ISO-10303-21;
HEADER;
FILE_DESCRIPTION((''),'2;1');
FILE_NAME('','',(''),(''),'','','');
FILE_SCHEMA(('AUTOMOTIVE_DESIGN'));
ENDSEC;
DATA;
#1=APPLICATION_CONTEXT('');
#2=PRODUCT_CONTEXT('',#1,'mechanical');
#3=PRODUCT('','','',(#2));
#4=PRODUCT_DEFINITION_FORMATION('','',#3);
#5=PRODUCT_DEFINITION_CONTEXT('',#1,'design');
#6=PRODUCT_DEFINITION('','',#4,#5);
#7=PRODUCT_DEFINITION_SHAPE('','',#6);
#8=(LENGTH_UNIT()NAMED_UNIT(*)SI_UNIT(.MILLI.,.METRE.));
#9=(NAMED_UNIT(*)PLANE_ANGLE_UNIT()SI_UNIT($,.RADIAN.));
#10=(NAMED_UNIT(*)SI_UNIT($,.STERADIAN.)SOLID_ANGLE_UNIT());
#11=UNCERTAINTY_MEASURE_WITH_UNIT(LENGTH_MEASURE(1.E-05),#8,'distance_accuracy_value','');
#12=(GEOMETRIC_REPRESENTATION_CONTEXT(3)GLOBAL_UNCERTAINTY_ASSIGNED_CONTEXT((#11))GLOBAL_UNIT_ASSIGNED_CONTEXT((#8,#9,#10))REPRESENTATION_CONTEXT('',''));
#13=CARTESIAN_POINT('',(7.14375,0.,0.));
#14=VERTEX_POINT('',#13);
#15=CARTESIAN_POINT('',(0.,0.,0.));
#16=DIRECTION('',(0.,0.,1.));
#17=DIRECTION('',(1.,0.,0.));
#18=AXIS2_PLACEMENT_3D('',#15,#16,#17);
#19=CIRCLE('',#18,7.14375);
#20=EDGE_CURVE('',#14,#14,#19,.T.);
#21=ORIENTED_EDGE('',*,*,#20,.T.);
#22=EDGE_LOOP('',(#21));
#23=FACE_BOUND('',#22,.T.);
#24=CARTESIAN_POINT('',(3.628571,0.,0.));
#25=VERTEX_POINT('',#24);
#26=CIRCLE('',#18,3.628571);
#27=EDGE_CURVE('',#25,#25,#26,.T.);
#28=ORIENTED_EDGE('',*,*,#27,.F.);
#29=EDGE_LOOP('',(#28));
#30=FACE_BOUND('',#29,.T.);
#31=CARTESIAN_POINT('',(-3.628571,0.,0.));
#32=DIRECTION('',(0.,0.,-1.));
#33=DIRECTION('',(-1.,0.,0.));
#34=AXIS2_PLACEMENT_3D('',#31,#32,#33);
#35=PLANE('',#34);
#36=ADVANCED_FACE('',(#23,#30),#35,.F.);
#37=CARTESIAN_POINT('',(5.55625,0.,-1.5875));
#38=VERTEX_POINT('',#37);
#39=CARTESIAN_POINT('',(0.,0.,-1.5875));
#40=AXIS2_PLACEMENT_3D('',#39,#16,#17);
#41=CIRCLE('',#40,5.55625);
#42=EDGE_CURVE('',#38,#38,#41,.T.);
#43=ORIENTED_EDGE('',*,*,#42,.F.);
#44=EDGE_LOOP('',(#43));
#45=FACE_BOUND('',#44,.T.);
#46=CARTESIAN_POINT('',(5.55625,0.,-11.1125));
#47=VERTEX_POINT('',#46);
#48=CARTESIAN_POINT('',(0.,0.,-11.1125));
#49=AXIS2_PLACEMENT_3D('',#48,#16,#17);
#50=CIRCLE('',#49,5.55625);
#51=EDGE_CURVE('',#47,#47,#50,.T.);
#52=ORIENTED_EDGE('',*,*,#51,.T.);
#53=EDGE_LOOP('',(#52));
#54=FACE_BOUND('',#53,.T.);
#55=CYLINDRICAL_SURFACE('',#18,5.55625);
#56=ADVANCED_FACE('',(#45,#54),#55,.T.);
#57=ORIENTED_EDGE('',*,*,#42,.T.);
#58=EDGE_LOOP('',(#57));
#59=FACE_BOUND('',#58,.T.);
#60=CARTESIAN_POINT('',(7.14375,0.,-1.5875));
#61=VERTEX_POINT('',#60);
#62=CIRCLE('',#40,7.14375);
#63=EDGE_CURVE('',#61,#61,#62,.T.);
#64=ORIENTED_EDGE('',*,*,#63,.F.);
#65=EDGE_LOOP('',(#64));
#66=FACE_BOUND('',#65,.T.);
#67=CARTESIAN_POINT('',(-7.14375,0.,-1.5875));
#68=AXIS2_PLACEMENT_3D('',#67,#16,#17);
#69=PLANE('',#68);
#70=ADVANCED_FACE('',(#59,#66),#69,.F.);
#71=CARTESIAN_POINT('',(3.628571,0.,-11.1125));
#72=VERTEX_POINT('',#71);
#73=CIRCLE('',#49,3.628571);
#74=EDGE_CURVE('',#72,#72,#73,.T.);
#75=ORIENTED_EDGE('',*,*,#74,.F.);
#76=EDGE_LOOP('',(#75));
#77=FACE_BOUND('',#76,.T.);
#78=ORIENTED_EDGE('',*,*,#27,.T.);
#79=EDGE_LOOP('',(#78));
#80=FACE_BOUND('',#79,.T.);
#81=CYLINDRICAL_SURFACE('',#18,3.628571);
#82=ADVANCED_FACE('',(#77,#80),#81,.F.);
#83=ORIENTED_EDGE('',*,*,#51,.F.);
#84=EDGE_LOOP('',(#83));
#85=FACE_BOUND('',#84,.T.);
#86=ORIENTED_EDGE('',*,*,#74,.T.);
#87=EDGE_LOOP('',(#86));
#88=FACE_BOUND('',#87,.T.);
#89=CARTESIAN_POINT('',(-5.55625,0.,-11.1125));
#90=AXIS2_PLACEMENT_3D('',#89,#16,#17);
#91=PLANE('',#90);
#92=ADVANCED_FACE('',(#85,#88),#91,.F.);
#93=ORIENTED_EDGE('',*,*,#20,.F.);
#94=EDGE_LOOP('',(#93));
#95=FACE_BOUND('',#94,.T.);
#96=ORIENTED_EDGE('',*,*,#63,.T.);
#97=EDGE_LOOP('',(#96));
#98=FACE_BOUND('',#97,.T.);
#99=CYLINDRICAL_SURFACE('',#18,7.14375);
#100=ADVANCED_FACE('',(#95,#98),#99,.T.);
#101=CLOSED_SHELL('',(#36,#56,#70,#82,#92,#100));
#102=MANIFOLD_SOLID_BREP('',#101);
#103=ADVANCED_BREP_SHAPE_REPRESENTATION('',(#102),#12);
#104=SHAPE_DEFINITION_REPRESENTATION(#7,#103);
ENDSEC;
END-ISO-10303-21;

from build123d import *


with BuildPart() as part:
    # Sketch1 → Revolve1 (revolve)
    with BuildSketch(Plane(origin=(0, 0, 0), x_dir=(1, 0, 0), z_dir=(0, 1, 0)), mode=Mode.PRIVATE) as revolve1_sk:
        Polygon((-3.628571429, 0), (-7.14375, 0), (-7.14375, 1.5875), (-5.55625, 1.5875), (-5.55625, 11.1125), (-3.628571429, 11.1125), align=None)
    revolve(revolve1_sk.sketch.rotate(Axis((0, 0, 0), (0, 0, -1)), 180), axis=Axis((0, 0, 0), (0, 0, -1)))


solid = part.part
